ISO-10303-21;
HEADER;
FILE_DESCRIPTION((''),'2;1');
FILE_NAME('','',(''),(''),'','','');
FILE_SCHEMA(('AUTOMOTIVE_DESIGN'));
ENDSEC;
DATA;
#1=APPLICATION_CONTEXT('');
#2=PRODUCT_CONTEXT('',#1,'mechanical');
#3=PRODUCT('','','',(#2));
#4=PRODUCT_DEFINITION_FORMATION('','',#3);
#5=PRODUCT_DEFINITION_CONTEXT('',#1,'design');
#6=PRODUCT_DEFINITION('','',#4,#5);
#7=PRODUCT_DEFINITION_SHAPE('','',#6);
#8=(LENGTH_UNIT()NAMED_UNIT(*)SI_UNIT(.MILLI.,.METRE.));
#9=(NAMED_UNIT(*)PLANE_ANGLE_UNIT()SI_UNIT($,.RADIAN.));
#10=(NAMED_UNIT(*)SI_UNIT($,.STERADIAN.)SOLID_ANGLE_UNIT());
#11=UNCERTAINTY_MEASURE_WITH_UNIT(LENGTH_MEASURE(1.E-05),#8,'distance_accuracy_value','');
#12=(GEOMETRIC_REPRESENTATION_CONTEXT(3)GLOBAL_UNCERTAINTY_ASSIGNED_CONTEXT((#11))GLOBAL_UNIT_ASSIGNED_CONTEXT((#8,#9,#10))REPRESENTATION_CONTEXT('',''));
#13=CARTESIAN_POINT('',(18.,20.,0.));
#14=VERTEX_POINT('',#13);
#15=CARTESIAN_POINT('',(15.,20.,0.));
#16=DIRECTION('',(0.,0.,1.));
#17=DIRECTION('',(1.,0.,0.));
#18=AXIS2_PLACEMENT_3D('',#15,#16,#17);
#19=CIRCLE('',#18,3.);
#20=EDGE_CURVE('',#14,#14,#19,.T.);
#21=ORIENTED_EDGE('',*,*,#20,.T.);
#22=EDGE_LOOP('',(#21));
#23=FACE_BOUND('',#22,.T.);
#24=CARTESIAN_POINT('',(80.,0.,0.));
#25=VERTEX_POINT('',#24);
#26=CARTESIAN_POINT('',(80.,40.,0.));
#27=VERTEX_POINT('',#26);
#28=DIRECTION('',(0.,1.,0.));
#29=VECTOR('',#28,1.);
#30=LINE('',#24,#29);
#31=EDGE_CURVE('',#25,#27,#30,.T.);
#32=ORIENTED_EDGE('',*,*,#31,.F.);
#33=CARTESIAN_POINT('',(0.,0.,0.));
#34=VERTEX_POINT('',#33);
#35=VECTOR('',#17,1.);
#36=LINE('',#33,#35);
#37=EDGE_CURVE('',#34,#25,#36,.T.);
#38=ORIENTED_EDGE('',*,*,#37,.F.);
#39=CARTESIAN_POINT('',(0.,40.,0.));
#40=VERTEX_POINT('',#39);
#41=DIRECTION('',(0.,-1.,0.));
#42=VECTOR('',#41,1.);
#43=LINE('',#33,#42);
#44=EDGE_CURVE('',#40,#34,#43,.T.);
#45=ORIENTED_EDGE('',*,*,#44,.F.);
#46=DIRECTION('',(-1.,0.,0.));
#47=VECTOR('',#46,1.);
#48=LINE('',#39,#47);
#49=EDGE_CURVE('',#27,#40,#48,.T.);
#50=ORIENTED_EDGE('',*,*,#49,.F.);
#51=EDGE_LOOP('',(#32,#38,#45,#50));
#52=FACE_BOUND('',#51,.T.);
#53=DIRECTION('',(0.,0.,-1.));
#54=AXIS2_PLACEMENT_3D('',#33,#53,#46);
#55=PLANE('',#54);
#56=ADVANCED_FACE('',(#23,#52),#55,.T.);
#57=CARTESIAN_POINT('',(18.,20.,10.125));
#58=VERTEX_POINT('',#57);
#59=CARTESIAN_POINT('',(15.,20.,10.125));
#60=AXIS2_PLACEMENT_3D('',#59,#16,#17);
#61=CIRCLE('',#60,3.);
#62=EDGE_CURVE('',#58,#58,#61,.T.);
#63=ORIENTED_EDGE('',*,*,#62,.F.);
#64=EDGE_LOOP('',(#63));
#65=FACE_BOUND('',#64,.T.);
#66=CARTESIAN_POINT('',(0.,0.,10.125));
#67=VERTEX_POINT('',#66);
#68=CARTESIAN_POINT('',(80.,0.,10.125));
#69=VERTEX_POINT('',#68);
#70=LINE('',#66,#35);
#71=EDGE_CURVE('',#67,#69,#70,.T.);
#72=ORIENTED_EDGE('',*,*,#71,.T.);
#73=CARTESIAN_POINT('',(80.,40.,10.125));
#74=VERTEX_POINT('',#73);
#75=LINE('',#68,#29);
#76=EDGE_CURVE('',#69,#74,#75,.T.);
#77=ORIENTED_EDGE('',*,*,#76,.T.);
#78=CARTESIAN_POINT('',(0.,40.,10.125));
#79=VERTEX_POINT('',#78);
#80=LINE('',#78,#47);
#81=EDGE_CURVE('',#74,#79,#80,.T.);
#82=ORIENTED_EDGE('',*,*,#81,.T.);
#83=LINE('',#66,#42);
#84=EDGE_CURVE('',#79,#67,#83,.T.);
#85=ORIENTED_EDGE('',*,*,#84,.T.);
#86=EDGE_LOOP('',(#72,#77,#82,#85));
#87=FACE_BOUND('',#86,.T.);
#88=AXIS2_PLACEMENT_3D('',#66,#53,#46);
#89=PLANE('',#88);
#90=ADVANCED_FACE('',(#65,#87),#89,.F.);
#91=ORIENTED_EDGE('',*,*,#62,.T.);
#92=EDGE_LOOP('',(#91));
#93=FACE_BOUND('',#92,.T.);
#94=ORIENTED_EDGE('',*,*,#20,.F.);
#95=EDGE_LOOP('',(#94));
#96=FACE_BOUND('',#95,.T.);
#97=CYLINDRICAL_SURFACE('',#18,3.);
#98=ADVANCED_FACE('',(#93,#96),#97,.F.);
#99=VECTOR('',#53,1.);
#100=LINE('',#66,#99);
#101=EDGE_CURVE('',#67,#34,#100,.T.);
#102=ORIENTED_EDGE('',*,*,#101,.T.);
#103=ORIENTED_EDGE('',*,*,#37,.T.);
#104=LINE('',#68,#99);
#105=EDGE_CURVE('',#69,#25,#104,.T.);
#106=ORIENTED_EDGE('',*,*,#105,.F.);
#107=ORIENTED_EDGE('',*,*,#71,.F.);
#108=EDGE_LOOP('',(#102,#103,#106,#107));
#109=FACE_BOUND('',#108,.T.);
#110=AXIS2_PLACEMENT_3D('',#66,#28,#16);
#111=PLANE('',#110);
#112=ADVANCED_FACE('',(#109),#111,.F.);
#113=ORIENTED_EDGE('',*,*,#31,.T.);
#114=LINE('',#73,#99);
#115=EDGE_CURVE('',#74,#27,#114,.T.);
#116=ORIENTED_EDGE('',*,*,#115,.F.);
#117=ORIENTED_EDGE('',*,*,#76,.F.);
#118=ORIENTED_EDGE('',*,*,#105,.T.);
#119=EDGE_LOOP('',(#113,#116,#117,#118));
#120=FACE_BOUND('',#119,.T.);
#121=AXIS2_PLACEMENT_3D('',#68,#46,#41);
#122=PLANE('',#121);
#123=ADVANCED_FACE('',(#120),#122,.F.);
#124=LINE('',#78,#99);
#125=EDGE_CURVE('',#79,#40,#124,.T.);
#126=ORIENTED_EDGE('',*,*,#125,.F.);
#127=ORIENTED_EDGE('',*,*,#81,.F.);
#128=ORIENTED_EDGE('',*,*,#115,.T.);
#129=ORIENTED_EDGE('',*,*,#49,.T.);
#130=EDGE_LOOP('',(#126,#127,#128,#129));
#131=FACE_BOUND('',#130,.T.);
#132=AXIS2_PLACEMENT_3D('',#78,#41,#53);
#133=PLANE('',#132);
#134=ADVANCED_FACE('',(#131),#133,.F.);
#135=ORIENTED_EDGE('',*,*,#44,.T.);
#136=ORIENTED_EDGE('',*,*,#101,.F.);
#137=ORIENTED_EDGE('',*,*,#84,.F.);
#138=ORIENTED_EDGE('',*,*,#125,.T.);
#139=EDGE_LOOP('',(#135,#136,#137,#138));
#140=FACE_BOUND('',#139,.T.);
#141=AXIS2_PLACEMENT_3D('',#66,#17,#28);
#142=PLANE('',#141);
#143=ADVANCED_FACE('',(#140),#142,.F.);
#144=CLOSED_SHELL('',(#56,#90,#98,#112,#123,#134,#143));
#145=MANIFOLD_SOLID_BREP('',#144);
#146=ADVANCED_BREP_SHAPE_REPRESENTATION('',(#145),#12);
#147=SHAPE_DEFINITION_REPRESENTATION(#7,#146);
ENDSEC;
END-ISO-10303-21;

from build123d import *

# Parameters (mm, degrees)
ESQUISSE1_W             = 80
ESQUISSE1_H             = 40
BOSS_EXTRU_2_DEPTH      = 10.125
ESQUISSE3_R             = 3
ENL_V_MAT_EXTRU_1_DEPTH = 10.125


with BuildPart() as part:
    # Esquisse1 → Boss.-Extru.2 (new body)
    with BuildSketch(Plane.XY):
        with Locations((40, 20)):
            Rectangle(ESQUISSE1_W, ESQUISSE1_H)
    extrude(amount=BOSS_EXTRU_2_DEPTH)

    # Esquisse3 → Enlèv. mat.-Extru.1 (cut)
    with BuildSketch(Plane.XY.offset(10.125)):
        with Locations((15, 20)):
            Circle(ESQUISSE3_R)
    extrude(amount=-ENL_V_MAT_EXTRU_1_DEPTH, mode=Mode.SUBTRACT)


solid = part.part
